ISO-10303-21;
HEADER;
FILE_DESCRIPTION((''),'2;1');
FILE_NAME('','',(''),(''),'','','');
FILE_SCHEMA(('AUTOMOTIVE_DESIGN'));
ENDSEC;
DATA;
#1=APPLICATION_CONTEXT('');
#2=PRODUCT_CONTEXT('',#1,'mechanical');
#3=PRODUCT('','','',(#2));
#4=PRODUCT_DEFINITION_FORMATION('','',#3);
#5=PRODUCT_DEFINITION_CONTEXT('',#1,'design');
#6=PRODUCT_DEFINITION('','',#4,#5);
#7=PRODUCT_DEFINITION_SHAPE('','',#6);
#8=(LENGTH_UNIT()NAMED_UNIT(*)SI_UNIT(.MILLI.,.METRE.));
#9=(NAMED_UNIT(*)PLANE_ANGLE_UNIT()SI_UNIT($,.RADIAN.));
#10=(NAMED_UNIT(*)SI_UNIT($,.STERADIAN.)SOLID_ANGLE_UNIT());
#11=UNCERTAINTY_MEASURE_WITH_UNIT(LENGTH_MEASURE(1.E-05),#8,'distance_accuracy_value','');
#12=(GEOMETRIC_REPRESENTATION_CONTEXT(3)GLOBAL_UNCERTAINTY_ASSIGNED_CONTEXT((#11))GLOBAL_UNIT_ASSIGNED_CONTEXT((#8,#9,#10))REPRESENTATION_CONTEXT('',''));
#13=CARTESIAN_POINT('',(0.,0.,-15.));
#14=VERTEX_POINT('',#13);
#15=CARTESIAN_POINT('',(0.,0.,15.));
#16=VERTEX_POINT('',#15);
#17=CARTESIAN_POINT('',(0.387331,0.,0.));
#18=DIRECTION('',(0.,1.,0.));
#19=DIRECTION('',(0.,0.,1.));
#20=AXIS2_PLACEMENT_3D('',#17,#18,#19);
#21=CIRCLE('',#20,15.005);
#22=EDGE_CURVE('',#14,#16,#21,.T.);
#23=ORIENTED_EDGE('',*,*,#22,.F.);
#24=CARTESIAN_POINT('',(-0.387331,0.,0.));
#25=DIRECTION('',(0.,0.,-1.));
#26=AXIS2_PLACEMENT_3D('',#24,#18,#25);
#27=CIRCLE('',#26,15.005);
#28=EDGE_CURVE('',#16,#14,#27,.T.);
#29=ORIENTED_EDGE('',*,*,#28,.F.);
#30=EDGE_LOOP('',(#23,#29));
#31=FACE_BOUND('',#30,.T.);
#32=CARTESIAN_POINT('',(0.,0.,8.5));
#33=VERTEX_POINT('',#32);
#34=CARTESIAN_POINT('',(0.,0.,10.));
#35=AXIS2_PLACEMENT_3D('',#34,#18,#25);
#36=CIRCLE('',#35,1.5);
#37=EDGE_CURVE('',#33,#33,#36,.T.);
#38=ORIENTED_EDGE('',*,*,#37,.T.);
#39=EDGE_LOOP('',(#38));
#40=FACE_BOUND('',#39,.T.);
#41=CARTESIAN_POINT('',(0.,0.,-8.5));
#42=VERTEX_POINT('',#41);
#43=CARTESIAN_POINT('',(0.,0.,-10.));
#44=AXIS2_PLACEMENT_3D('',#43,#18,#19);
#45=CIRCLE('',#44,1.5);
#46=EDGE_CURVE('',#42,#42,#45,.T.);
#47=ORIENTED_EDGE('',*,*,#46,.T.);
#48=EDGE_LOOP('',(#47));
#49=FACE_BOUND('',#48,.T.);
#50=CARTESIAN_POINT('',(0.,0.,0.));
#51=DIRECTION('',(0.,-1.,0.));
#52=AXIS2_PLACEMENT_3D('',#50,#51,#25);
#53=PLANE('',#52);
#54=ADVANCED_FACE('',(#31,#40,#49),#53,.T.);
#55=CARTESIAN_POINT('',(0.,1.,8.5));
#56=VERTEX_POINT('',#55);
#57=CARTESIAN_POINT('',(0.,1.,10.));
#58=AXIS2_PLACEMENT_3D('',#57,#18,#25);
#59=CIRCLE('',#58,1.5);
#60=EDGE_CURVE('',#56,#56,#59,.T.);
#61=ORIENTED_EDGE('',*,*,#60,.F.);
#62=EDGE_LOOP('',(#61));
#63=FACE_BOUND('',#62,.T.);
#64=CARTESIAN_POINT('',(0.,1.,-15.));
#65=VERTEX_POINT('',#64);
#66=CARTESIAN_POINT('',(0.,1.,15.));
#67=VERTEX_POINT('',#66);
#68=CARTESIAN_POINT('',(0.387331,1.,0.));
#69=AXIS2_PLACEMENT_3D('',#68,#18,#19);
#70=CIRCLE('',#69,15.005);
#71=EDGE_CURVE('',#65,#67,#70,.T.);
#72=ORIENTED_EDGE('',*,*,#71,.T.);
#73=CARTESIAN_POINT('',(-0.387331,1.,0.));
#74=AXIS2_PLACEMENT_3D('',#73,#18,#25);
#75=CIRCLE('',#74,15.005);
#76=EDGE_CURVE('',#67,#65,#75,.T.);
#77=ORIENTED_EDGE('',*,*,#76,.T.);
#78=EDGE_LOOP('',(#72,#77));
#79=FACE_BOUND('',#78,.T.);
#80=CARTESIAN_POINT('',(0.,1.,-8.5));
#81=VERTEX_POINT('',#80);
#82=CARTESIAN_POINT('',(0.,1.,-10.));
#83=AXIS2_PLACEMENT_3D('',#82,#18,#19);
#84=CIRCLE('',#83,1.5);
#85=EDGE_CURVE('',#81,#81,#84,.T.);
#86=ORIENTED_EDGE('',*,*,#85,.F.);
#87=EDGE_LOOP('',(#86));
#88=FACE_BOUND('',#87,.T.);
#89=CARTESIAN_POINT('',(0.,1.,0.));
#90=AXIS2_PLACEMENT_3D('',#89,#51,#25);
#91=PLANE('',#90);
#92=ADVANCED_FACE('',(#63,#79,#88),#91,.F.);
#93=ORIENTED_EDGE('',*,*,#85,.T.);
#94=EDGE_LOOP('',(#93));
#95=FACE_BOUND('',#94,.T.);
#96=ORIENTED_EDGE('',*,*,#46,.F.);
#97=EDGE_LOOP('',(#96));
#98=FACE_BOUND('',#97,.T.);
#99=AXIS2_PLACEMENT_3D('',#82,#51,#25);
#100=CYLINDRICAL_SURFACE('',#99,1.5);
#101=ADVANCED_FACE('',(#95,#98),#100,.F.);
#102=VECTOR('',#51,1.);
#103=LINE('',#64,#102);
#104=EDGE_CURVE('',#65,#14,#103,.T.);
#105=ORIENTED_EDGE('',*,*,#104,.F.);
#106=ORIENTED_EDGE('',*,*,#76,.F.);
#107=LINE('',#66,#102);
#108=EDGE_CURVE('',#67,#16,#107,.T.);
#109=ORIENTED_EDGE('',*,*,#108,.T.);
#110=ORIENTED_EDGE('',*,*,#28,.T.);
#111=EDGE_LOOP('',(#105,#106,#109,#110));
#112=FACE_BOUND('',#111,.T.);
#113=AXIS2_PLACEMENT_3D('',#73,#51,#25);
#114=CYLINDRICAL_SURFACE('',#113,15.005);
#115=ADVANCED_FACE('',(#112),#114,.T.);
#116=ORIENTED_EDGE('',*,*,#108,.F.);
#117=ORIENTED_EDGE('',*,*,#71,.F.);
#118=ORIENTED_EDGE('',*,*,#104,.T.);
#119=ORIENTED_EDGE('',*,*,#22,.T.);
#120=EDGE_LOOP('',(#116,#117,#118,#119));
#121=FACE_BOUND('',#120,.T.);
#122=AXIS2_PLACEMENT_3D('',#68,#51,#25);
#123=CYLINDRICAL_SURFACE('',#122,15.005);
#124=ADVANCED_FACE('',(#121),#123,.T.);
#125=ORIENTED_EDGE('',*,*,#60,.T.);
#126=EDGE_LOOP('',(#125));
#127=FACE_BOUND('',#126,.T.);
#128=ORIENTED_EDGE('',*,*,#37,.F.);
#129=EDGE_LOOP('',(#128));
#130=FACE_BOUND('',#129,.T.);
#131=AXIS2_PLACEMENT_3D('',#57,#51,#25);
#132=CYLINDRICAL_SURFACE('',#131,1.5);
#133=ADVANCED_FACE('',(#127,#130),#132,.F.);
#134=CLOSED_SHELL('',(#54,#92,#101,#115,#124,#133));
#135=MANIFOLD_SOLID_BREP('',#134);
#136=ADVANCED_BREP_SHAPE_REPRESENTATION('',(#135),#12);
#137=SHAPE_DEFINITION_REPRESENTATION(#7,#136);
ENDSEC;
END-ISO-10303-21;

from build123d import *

# Parameters (mm, degrees)
SKETCH1_R           = 1.5
BOSS_EXTRUDE2_DEPTH = 1


with BuildPart() as part:
    # Sketch1 → Boss-Extrude2 (new body)
    with BuildSketch(Plane(origin=(0, 0, 0), x_dir=(1, 0, 0), z_dir=(0, 1, 0))):
        with BuildLine():
            ThreePointArc((0, 15), (-14.617669392, 0), (0, -15))
            ThreePointArc((0, -15), (14.617669392, 0), (0, 15))
        make_face()
        with Locations((0, 10)):
            Circle(SKETCH1_R, mode=Mode.SUBTRACT)
        with Locations((0, -10)):
            Circle(SKETCH1_R, mode=Mode.SUBTRACT)
    extrude(amount=BOSS_EXTRUDE2_DEPTH)


solid = part.part
